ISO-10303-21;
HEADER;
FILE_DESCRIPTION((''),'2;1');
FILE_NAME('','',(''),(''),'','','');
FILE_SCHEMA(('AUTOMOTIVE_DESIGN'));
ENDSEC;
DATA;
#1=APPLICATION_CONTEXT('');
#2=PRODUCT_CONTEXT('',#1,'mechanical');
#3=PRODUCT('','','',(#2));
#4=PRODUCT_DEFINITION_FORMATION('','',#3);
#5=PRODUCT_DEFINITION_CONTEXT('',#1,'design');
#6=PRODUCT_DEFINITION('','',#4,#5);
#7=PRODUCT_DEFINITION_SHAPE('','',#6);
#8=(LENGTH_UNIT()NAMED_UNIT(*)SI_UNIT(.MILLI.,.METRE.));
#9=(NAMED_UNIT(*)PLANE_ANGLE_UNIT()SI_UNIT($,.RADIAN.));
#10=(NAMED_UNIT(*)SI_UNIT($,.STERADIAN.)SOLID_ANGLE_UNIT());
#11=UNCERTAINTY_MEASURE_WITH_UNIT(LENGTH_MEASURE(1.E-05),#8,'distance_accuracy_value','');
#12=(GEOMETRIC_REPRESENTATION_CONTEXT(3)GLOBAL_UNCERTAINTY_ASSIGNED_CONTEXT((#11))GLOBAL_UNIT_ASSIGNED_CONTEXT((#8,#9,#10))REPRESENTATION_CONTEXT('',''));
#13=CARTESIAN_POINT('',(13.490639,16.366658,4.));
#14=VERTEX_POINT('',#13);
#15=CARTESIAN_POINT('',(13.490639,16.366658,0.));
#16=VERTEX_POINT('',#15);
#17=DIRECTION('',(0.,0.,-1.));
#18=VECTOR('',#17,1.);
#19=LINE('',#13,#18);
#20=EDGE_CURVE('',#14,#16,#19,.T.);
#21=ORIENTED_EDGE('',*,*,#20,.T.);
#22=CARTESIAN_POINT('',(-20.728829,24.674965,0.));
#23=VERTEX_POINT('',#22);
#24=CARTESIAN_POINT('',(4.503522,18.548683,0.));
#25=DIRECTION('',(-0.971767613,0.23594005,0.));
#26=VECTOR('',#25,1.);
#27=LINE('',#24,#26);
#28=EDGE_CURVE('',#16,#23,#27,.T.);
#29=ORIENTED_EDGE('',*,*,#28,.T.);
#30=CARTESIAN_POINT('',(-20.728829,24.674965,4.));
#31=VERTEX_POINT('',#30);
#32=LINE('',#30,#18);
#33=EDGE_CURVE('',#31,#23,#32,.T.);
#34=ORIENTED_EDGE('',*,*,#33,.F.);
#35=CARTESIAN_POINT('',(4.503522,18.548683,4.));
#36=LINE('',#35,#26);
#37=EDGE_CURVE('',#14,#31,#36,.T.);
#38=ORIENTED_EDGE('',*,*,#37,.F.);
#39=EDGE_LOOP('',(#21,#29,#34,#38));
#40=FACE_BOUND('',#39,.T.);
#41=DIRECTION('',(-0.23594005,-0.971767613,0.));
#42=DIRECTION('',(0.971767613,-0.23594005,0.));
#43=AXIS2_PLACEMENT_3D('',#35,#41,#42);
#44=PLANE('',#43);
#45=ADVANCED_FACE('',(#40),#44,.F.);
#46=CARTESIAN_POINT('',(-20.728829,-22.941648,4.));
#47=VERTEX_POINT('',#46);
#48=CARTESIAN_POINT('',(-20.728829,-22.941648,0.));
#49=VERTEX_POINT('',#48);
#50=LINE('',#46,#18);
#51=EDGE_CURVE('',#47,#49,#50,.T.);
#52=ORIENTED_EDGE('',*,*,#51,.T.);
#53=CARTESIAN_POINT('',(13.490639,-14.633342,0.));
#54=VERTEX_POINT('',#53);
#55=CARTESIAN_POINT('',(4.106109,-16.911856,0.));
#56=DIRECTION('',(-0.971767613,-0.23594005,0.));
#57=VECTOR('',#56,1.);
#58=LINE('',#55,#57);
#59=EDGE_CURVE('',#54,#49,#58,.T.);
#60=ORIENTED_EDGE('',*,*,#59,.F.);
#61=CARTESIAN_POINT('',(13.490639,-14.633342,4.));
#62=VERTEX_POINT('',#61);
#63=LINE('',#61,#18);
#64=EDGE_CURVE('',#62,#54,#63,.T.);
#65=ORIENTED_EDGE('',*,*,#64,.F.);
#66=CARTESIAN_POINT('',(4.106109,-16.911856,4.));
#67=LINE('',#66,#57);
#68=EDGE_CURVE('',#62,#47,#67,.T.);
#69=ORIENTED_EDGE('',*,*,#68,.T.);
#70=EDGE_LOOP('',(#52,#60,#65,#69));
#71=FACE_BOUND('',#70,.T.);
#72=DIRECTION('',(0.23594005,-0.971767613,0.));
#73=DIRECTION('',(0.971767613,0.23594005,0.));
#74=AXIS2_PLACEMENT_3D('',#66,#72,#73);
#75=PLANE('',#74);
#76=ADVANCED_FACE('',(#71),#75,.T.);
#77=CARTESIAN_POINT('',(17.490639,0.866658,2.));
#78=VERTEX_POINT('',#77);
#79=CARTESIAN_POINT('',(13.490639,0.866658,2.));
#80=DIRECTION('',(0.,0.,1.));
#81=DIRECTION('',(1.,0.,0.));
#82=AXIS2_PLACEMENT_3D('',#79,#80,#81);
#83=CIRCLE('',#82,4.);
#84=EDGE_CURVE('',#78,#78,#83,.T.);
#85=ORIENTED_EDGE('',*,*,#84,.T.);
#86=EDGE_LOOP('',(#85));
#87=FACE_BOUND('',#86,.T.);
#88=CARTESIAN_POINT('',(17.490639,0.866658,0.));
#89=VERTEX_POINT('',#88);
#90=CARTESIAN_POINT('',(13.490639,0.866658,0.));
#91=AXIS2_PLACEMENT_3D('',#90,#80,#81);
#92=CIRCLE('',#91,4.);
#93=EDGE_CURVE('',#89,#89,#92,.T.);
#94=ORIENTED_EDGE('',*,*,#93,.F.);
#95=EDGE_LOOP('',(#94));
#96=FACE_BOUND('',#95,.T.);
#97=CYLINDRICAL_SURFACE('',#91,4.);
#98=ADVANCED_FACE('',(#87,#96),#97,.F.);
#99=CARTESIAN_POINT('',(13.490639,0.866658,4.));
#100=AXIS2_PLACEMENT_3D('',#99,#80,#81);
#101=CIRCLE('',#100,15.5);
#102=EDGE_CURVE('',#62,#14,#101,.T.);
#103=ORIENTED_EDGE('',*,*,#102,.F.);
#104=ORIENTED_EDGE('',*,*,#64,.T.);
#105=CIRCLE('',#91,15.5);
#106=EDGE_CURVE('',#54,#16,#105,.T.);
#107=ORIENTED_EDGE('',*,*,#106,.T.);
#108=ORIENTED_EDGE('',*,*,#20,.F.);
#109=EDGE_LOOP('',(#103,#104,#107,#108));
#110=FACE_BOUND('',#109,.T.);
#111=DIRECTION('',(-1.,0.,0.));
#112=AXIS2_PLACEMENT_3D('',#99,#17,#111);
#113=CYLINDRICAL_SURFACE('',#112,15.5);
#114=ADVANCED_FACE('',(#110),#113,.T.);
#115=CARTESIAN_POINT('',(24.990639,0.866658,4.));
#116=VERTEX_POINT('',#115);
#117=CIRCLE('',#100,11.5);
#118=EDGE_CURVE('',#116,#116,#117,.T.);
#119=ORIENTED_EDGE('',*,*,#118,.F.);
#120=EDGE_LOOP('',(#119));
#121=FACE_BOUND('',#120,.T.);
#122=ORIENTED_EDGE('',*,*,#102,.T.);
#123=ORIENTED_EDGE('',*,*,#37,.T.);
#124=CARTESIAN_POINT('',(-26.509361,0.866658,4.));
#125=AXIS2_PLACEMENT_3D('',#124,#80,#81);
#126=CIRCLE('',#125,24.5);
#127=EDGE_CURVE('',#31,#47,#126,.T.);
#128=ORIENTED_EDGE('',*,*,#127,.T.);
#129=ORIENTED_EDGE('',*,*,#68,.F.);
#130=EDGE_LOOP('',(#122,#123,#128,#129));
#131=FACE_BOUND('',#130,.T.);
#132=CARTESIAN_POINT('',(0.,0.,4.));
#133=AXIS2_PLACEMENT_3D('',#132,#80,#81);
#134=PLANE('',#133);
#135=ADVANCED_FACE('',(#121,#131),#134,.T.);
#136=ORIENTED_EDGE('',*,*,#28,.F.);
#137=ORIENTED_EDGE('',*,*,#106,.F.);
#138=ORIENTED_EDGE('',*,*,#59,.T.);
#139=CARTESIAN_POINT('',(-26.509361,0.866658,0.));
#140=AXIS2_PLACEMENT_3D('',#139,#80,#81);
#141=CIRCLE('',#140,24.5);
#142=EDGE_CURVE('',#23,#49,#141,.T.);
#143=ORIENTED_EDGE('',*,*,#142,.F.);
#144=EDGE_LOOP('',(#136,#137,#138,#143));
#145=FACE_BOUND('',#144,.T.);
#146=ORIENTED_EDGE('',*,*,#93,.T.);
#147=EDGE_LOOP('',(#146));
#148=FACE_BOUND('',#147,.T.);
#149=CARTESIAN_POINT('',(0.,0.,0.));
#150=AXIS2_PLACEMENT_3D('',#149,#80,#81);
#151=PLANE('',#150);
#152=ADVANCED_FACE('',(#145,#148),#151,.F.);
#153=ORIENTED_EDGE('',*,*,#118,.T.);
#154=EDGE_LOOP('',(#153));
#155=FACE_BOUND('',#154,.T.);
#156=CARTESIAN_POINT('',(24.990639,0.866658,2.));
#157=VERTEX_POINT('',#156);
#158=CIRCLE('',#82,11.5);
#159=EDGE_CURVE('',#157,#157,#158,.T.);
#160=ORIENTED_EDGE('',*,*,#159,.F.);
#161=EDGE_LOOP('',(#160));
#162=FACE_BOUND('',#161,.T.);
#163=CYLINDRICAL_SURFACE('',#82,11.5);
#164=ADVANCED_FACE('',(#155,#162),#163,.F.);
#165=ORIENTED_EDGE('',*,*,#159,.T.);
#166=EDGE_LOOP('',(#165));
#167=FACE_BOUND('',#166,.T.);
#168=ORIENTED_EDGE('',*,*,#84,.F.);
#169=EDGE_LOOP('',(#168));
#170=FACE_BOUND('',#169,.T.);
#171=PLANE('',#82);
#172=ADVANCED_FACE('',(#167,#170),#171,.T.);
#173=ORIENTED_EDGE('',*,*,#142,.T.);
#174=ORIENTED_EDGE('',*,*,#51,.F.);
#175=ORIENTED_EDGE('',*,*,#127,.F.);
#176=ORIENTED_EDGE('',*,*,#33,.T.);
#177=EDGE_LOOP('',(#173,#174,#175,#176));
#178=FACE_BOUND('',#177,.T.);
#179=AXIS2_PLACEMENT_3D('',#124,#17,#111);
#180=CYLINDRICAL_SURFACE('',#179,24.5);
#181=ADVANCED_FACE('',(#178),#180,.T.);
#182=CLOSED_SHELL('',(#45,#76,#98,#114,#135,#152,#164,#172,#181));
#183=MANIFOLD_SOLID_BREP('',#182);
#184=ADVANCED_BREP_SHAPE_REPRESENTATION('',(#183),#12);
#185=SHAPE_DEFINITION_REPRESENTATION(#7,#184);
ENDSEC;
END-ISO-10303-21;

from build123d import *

# Parameters (mm, degrees)
EXTRUDE_1_DEPTH     = 4
SKETCH_2_R          = 11.5
CUT_EXTRUDE_1_DEPTH = 2
SKETCH_3_R          = 4
CUT_EXTRUDE_2_DEPTH = 2


with BuildPart() as part:
    # 草图1 → 凸台-拉伸1 (new body)
    with BuildSketch(Plane.XY):
        with BuildLine():
            Line((13.490639399, 16.366658186), (-20.728829372, 24.674964692))
            ThreePointArc((-20.728829372, 24.674964692), (-51.009360601, 0.866658186), (-20.728829372, -22.941648321))
            Line((-20.728829372, -22.941648321), (13.490639399, -14.633341814))
            ThreePointArc((13.490639399, -14.633341814), (28.990639399, 0.866658186), (13.490639399, 16.366658186))
        make_face()
    extrude(amount=EXTRUDE_1_DEPTH)

    # 草图2 → 切除-拉伸1 (cut)
    with BuildSketch(Plane.XY.offset(4)):
        with Locations((13.490639399, 0.866658186)):
            Circle(SKETCH_2_R)
    extrude(amount=-CUT_EXTRUDE_1_DEPTH, mode=Mode.SUBTRACT)

    # 草图3 → 切除-拉伸2 (cut)
    with BuildSketch(Plane.XY.offset(2)):
        with Locations((13.490639399, 0.866658186)):
            Circle(SKETCH_3_R)
    extrude(amount=-CUT_EXTRUDE_2_DEPTH, mode=Mode.SUBTRACT)


solid = part.part
